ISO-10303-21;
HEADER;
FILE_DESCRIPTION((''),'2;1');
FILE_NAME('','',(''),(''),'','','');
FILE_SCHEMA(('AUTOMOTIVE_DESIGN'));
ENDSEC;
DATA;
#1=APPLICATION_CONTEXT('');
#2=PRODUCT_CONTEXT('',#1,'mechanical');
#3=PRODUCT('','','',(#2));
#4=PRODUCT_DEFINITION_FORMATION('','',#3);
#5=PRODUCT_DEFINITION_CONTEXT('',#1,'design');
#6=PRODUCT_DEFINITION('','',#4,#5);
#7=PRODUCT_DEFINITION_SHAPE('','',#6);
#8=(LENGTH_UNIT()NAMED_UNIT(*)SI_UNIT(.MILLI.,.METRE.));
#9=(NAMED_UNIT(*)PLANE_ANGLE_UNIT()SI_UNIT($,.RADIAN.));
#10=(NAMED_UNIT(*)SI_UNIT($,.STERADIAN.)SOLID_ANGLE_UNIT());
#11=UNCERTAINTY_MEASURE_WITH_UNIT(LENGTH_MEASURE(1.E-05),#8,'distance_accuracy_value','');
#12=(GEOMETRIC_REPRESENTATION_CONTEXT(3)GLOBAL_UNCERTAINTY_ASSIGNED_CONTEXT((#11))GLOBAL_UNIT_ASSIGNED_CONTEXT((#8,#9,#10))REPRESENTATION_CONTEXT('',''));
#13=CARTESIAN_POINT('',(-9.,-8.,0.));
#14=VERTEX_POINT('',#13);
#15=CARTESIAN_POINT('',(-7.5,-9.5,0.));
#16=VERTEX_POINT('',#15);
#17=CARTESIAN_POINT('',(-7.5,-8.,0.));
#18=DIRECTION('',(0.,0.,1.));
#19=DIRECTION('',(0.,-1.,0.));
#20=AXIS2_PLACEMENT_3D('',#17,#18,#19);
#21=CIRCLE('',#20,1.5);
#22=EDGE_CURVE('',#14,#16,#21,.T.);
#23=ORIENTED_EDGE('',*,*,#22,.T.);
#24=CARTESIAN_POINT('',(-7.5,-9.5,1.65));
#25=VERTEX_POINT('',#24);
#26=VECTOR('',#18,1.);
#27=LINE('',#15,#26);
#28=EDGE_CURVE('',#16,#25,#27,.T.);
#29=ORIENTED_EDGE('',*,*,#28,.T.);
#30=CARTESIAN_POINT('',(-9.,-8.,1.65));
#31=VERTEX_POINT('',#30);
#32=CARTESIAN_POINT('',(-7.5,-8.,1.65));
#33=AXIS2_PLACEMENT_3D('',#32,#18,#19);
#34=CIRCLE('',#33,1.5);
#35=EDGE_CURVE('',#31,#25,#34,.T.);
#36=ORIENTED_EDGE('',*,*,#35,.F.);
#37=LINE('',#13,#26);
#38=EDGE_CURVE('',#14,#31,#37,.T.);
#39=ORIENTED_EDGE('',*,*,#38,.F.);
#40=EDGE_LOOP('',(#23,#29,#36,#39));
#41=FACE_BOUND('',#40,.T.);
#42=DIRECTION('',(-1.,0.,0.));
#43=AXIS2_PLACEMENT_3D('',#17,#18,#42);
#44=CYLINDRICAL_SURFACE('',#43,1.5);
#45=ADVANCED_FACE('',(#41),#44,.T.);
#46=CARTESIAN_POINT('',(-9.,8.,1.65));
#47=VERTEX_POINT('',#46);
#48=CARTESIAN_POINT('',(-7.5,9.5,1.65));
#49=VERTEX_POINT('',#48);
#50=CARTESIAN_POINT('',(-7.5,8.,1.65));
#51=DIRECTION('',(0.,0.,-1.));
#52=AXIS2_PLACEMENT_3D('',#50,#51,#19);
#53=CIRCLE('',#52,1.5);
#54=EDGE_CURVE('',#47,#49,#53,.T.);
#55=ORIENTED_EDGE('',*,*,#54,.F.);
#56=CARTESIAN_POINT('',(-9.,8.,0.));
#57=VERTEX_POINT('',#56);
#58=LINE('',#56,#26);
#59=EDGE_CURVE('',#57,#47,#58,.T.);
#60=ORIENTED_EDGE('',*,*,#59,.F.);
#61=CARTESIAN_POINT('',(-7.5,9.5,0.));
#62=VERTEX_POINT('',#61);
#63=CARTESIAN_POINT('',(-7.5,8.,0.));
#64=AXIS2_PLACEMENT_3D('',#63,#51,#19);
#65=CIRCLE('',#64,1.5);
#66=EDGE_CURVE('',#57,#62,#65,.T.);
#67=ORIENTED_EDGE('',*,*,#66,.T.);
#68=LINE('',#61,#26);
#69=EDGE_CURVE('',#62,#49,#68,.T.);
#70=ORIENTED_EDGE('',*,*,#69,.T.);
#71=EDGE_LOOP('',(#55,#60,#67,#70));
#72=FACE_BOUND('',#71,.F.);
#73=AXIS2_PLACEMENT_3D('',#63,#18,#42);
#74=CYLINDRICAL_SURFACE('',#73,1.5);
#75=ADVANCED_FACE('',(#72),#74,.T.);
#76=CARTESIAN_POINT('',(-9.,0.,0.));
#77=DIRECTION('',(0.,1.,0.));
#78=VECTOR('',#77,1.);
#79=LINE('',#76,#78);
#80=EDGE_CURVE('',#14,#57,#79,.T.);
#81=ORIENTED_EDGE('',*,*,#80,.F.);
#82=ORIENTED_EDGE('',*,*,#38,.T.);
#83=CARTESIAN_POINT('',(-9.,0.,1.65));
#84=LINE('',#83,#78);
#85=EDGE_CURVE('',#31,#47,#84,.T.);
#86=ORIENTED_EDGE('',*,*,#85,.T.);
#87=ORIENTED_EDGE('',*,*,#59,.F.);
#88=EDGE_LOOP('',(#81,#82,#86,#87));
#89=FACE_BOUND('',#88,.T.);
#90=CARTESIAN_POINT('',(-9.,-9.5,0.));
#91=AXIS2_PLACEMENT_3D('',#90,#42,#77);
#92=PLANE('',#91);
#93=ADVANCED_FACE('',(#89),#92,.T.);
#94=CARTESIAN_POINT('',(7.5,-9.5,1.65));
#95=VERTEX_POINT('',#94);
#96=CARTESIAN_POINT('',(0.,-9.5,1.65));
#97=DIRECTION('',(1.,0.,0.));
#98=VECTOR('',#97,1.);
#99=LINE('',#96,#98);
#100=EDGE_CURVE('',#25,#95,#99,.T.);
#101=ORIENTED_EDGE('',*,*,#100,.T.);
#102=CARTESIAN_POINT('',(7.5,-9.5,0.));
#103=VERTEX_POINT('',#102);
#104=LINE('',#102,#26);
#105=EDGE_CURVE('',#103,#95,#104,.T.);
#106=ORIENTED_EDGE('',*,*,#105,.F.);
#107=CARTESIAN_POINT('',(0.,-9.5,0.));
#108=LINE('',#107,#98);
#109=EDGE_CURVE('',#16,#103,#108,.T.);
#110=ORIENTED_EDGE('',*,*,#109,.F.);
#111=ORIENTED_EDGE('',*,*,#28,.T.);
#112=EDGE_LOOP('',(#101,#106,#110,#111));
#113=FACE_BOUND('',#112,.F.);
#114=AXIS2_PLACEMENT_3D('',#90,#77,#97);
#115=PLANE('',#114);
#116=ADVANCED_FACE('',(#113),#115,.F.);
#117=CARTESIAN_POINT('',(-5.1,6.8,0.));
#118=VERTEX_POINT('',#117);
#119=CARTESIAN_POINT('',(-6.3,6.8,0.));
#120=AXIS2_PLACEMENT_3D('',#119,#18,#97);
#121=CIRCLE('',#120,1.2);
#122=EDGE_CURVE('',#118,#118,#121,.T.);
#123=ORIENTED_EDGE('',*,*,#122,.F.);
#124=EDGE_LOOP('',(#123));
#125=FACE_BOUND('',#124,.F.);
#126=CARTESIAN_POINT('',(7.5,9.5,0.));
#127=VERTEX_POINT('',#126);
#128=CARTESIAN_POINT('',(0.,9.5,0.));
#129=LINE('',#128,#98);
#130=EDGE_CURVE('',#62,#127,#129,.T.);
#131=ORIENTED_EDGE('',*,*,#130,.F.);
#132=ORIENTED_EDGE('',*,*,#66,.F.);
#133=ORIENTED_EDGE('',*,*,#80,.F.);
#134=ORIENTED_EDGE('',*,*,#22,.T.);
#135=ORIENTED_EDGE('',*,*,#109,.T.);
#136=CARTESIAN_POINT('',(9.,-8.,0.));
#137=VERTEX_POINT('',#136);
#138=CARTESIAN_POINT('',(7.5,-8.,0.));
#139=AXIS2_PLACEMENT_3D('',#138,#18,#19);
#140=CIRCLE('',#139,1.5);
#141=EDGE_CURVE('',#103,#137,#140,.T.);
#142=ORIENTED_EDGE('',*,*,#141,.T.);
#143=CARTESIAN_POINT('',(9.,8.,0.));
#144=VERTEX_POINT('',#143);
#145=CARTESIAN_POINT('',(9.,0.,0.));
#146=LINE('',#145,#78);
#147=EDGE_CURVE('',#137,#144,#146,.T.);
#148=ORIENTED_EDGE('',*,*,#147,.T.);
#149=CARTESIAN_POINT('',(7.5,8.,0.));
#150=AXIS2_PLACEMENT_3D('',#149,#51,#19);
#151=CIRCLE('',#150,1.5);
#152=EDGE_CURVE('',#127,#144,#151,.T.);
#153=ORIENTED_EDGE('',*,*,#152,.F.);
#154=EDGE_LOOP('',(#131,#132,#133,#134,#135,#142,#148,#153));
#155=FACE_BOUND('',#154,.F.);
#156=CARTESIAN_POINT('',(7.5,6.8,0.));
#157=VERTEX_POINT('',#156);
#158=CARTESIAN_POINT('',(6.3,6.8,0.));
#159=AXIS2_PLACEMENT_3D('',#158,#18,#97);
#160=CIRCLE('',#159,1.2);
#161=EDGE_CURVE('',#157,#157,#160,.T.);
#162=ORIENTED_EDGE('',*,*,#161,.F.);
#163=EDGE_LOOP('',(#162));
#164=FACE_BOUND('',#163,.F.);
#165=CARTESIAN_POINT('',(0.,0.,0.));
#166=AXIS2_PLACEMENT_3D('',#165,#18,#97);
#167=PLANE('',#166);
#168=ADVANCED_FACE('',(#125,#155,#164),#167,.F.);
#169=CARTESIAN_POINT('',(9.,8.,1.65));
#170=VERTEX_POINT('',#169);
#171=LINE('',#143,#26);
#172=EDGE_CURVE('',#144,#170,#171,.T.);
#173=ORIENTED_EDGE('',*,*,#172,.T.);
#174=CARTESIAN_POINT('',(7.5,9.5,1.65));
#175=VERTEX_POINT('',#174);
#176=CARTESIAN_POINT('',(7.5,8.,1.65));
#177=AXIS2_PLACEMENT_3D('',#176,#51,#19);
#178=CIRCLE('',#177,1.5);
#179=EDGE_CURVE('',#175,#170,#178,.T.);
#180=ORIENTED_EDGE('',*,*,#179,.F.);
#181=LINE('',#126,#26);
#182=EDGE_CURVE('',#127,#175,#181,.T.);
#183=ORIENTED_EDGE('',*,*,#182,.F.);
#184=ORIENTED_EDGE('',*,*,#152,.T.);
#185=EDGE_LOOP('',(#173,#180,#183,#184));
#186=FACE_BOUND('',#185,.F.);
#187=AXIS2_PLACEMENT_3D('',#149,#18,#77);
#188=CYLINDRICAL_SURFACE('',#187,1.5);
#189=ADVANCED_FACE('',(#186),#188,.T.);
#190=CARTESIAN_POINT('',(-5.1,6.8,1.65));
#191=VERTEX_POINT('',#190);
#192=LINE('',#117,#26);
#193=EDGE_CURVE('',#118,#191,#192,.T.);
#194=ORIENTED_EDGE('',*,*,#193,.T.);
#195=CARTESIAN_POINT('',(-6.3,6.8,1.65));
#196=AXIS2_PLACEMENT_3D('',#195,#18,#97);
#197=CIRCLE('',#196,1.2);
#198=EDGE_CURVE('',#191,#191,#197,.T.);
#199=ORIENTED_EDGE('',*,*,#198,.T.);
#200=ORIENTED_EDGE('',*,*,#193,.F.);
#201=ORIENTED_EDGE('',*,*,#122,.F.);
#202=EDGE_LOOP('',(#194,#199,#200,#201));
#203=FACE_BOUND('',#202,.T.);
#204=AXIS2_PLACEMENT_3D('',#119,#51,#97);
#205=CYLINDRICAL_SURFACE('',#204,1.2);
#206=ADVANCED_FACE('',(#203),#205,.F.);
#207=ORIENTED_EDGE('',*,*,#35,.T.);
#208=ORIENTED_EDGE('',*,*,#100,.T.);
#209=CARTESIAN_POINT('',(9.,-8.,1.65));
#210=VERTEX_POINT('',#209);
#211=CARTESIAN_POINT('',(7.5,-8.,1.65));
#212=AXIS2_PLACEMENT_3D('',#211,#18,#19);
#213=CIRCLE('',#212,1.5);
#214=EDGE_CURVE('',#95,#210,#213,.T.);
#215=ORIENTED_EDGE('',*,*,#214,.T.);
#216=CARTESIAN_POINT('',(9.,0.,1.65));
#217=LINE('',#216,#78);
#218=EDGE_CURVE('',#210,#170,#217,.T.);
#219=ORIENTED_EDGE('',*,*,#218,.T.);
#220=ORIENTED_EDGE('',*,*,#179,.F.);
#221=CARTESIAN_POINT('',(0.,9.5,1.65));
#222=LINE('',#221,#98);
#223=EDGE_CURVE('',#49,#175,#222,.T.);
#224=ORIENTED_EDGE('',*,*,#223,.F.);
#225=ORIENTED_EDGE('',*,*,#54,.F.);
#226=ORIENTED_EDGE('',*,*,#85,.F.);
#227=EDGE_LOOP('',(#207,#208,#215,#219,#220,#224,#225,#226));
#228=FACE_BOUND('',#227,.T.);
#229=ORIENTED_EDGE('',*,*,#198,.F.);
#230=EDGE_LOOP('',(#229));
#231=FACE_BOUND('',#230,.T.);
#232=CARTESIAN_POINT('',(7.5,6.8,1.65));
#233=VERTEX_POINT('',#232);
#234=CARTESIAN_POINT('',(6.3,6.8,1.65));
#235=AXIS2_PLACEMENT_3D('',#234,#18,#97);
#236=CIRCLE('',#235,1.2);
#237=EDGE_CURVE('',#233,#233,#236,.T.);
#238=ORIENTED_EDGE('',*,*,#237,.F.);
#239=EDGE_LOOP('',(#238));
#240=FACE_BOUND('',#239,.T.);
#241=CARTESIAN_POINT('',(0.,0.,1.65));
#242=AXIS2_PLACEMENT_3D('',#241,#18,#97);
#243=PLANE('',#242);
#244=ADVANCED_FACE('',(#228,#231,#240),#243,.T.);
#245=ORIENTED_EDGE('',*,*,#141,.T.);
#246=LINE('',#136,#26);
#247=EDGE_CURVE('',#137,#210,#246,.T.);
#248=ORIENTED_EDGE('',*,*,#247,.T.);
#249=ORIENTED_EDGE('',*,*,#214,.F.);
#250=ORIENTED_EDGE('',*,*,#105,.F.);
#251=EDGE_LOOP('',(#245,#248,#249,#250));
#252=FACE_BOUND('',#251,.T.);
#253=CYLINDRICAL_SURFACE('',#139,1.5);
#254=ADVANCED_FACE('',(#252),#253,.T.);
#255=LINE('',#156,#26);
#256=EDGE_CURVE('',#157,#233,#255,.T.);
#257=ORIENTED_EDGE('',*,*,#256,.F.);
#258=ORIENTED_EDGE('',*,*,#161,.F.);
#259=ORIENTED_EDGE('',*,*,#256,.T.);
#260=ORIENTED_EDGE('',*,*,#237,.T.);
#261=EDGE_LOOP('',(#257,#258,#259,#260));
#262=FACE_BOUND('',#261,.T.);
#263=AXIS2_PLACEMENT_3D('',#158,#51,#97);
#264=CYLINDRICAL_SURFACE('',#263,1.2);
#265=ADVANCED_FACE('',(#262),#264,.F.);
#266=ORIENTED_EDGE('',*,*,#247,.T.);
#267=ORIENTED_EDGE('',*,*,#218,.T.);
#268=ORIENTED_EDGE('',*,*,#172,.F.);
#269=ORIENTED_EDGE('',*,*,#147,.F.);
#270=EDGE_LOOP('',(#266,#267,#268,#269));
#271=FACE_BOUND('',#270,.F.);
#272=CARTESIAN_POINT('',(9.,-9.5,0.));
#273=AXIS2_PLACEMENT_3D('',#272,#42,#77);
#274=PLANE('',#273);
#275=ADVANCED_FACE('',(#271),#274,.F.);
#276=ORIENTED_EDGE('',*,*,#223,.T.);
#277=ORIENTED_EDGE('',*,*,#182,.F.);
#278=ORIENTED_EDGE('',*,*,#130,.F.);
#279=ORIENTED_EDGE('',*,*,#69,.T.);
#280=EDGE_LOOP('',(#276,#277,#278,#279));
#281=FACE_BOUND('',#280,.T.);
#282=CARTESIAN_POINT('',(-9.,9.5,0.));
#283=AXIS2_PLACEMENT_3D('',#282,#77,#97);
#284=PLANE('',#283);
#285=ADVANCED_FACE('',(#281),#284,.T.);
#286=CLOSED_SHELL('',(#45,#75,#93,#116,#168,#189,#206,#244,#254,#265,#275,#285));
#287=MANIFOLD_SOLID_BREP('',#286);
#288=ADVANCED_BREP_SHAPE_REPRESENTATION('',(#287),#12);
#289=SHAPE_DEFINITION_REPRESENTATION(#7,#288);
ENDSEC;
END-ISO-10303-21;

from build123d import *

# Parameters (mm, degrees)
F0_W     = 18
F0_H     = 19
F0_R     = 1.2
F1_DEPTH = 1.65
F2_R     = 1.5


with BuildPart() as f1:
    # F0 (on Top) → F1 (new body)
    with BuildSketch(Plane.XY):
        Rectangle(F0_W, F0_H)
        with Locations((-6.3, 6.8)):
            Circle(F0_R, mode=Mode.SUBTRACT)
        with Locations((6.3, 6.8)):
            Circle(F0_R, mode=Mode.SUBTRACT)
    extrude(amount=F1_DEPTH)

    # F2
    f2_edges = [f1.edges().sort_by_distance(p)[0] for p in [
        (-9, -9.5, 0.825),
        (9, -9.5, 0.825),
        (9, 9.5, 0.825),
        (-9, 9.5, 0.825),
    ]]
    fillet(f2_edges, radius=F2_R)


solid = f1.part
